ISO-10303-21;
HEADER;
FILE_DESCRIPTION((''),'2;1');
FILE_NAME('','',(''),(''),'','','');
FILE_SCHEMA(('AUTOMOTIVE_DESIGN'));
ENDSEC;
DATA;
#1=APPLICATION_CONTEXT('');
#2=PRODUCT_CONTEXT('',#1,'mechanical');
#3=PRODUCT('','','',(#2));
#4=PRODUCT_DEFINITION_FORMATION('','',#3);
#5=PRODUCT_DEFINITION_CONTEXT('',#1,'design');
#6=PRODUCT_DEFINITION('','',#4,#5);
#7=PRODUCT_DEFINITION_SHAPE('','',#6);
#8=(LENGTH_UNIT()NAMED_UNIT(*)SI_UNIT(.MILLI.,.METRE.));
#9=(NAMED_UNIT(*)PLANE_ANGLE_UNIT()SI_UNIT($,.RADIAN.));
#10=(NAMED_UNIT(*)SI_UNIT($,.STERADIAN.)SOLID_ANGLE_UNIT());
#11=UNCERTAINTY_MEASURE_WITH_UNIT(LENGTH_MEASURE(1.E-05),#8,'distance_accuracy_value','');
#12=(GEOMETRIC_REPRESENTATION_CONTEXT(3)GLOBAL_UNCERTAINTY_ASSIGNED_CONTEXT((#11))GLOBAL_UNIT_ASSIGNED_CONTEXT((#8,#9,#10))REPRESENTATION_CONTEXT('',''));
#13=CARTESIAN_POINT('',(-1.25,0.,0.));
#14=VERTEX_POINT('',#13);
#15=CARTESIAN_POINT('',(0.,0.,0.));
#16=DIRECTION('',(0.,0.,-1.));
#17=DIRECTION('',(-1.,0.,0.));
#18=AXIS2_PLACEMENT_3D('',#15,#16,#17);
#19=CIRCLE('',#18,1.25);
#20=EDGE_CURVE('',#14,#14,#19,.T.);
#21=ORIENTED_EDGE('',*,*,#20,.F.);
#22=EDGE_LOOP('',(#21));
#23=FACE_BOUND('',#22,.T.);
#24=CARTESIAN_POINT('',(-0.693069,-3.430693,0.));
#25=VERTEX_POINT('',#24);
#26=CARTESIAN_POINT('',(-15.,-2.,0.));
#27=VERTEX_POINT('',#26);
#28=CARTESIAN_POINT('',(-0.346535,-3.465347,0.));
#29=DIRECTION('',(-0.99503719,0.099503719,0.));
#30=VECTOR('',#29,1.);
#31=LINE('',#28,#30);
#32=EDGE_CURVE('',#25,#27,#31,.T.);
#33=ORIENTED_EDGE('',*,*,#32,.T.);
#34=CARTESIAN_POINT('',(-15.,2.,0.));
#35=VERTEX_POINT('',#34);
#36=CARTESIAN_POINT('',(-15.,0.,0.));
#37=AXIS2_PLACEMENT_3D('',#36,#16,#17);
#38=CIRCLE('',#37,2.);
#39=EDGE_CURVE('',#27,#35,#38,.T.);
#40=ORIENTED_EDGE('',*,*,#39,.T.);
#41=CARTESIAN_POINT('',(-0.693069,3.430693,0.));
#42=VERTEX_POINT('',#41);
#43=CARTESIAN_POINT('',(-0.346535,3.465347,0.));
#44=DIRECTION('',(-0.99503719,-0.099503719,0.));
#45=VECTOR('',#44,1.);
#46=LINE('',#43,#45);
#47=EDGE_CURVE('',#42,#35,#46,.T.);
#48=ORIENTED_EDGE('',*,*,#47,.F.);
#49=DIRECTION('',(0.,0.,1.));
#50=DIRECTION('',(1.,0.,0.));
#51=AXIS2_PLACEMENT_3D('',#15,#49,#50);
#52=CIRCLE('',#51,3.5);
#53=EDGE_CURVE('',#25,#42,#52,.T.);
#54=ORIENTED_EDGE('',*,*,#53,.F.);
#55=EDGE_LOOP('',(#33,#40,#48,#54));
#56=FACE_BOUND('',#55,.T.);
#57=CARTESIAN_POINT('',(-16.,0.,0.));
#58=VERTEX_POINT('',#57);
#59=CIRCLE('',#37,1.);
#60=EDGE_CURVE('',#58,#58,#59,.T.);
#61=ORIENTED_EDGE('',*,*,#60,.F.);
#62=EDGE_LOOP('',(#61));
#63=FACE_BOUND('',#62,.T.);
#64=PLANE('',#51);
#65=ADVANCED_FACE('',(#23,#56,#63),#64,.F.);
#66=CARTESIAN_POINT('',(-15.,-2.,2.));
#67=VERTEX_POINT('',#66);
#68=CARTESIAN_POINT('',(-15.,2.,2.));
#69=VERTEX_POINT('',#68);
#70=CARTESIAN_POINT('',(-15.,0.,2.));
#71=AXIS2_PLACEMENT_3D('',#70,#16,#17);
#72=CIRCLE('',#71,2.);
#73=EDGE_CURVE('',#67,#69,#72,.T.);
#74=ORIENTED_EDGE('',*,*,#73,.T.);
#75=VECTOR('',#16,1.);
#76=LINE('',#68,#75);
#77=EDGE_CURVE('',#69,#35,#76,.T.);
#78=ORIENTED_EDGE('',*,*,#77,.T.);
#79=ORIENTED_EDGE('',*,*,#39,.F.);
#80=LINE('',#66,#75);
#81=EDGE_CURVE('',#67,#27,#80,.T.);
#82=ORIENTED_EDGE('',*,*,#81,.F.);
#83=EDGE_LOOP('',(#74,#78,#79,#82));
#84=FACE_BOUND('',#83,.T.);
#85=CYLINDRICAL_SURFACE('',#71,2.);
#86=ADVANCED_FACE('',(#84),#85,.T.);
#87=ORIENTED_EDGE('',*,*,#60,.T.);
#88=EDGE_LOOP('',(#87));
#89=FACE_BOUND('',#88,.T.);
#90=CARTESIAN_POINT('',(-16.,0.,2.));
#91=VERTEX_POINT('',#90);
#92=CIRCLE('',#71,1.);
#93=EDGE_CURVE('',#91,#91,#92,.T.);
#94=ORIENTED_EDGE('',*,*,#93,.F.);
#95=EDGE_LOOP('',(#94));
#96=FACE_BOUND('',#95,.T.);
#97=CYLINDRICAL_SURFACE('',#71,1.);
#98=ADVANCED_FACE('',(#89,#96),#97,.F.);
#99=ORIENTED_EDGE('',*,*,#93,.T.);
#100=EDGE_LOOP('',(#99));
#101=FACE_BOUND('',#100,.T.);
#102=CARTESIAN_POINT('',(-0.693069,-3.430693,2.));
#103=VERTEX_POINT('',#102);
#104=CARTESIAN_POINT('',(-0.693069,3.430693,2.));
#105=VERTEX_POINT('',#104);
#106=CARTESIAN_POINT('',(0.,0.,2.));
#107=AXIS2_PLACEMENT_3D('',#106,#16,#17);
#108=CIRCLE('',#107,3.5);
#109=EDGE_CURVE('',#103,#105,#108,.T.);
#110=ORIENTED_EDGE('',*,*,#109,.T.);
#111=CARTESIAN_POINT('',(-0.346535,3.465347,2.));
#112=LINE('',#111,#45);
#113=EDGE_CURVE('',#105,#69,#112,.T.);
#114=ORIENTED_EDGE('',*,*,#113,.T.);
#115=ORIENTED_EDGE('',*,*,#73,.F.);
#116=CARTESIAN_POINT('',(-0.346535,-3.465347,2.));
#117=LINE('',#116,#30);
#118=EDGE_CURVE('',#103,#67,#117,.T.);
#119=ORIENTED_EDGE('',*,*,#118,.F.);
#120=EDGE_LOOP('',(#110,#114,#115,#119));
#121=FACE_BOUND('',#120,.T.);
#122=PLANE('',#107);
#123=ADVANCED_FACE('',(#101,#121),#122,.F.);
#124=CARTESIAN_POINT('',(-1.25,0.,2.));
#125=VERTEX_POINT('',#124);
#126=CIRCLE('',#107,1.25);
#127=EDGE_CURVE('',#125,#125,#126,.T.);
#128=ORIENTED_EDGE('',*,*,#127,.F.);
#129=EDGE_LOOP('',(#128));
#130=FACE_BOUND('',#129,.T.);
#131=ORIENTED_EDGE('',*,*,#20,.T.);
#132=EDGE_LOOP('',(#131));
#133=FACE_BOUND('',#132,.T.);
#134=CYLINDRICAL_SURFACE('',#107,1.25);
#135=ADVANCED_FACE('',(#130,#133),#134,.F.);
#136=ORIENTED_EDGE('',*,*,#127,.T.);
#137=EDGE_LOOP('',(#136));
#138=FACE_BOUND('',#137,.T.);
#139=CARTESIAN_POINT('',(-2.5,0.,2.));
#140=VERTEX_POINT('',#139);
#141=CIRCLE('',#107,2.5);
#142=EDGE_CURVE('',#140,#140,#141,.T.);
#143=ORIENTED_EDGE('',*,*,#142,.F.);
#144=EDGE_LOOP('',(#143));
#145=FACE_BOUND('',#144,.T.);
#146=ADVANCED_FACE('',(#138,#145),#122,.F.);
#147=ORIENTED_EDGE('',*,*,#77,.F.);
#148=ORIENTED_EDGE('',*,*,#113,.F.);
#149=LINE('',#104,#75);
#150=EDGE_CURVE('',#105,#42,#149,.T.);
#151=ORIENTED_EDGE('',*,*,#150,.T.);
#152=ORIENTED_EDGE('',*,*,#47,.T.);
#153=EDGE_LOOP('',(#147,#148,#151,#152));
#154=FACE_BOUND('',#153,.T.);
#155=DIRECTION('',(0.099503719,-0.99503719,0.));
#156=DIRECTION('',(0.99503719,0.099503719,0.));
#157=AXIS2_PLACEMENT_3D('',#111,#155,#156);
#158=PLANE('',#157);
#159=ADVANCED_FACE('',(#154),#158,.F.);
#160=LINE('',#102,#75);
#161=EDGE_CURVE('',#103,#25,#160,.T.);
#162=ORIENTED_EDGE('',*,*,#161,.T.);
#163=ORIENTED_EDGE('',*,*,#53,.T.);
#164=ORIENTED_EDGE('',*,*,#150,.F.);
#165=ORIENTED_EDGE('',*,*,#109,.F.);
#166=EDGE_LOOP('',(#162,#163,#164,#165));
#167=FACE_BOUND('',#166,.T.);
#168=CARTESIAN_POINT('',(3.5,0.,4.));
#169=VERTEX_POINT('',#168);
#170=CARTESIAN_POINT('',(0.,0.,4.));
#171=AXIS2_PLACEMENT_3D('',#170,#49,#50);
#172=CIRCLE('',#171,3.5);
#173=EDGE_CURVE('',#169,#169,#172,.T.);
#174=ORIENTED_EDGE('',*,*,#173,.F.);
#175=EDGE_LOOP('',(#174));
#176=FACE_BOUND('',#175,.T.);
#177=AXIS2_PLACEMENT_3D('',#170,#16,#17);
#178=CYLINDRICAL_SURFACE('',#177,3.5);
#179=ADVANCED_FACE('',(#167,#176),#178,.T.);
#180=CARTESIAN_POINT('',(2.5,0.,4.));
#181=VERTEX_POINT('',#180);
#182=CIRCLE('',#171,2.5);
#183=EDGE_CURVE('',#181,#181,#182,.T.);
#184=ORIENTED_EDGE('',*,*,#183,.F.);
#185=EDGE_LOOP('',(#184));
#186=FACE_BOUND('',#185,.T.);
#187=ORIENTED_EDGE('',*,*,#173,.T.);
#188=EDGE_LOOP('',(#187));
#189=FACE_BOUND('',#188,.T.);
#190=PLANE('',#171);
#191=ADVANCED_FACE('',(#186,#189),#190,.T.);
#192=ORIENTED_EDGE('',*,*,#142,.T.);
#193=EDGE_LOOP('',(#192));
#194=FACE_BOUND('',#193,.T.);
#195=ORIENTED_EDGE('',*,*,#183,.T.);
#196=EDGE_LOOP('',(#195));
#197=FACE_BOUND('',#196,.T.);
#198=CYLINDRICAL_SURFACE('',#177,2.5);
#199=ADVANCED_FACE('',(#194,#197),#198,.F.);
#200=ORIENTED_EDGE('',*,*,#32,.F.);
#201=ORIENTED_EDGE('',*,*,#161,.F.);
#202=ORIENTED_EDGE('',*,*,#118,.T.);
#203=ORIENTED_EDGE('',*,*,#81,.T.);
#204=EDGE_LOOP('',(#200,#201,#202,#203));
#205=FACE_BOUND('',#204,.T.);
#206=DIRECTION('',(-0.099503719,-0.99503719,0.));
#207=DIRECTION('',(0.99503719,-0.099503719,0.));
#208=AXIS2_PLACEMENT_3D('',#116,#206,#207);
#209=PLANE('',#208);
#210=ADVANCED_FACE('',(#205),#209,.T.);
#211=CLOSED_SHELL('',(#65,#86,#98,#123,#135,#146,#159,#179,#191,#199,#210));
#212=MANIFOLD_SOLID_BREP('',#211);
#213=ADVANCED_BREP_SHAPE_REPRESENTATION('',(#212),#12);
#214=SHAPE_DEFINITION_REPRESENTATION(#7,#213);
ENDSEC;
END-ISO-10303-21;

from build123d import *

# Parameters (mm, degrees)
SKETCH1_R           = 3.5
SKETCH1_R_2         = 2.5
BOSS_EXTRUDE1_DEPTH = 4
SKETCH2_R           = 1
BOSS_EXTRUDE2_DEPTH = 2
SKETCH3_R           = 2.5
SKETCH3_R_2         = 1.25
BOSS_EXTRUDE3_DEPTH = 2


with BuildPart() as part:
    # Sketch1 → Boss-Extrude1 (new body)
    with BuildSketch(Plane.XY):
        Circle(SKETCH1_R)
        Circle(SKETCH1_R_2, mode=Mode.SUBTRACT)
    extrude(amount=BOSS_EXTRUDE1_DEPTH)

    # Sketch2 → Boss-Extrude2 (add)
    with BuildSketch(Plane(origin=(0, 0, 0), x_dir=(-1, 0, 0), z_dir=(0, 0, -1))):
        with BuildLine():
            Line((15, 2), (0.693069307, 3.430693069))
            ThreePointArc((0.693069307, 3.430693069), (2.708850547, 2.216332266), (3.5, 0))
            ThreePointArc((3.5, 0), (2.708850547, -2.216332266), (0.693069307, -3.430693069))
            Line((0.693069307, -3.430693069), (15, -2))
            ThreePointArc((15, -2), (17, 0), (15, 2))
        make_face()
        with Locations((15, 0)):
            Circle(SKETCH2_R, mode=Mode.SUBTRACT)
    extrude(amount=-BOSS_EXTRUDE2_DEPTH)

    # Sketch3 → Boss-Extrude3 (add)
    with BuildSketch(Plane(origin=(0, 0, 0), x_dir=(-1, 0, 0), z_dir=(0, 0, -1))):
        Circle(SKETCH3_R)
        Circle(SKETCH3_R_2, mode=Mode.SUBTRACT)
    extrude(amount=-BOSS_EXTRUDE3_DEPTH)


solid = part.part
